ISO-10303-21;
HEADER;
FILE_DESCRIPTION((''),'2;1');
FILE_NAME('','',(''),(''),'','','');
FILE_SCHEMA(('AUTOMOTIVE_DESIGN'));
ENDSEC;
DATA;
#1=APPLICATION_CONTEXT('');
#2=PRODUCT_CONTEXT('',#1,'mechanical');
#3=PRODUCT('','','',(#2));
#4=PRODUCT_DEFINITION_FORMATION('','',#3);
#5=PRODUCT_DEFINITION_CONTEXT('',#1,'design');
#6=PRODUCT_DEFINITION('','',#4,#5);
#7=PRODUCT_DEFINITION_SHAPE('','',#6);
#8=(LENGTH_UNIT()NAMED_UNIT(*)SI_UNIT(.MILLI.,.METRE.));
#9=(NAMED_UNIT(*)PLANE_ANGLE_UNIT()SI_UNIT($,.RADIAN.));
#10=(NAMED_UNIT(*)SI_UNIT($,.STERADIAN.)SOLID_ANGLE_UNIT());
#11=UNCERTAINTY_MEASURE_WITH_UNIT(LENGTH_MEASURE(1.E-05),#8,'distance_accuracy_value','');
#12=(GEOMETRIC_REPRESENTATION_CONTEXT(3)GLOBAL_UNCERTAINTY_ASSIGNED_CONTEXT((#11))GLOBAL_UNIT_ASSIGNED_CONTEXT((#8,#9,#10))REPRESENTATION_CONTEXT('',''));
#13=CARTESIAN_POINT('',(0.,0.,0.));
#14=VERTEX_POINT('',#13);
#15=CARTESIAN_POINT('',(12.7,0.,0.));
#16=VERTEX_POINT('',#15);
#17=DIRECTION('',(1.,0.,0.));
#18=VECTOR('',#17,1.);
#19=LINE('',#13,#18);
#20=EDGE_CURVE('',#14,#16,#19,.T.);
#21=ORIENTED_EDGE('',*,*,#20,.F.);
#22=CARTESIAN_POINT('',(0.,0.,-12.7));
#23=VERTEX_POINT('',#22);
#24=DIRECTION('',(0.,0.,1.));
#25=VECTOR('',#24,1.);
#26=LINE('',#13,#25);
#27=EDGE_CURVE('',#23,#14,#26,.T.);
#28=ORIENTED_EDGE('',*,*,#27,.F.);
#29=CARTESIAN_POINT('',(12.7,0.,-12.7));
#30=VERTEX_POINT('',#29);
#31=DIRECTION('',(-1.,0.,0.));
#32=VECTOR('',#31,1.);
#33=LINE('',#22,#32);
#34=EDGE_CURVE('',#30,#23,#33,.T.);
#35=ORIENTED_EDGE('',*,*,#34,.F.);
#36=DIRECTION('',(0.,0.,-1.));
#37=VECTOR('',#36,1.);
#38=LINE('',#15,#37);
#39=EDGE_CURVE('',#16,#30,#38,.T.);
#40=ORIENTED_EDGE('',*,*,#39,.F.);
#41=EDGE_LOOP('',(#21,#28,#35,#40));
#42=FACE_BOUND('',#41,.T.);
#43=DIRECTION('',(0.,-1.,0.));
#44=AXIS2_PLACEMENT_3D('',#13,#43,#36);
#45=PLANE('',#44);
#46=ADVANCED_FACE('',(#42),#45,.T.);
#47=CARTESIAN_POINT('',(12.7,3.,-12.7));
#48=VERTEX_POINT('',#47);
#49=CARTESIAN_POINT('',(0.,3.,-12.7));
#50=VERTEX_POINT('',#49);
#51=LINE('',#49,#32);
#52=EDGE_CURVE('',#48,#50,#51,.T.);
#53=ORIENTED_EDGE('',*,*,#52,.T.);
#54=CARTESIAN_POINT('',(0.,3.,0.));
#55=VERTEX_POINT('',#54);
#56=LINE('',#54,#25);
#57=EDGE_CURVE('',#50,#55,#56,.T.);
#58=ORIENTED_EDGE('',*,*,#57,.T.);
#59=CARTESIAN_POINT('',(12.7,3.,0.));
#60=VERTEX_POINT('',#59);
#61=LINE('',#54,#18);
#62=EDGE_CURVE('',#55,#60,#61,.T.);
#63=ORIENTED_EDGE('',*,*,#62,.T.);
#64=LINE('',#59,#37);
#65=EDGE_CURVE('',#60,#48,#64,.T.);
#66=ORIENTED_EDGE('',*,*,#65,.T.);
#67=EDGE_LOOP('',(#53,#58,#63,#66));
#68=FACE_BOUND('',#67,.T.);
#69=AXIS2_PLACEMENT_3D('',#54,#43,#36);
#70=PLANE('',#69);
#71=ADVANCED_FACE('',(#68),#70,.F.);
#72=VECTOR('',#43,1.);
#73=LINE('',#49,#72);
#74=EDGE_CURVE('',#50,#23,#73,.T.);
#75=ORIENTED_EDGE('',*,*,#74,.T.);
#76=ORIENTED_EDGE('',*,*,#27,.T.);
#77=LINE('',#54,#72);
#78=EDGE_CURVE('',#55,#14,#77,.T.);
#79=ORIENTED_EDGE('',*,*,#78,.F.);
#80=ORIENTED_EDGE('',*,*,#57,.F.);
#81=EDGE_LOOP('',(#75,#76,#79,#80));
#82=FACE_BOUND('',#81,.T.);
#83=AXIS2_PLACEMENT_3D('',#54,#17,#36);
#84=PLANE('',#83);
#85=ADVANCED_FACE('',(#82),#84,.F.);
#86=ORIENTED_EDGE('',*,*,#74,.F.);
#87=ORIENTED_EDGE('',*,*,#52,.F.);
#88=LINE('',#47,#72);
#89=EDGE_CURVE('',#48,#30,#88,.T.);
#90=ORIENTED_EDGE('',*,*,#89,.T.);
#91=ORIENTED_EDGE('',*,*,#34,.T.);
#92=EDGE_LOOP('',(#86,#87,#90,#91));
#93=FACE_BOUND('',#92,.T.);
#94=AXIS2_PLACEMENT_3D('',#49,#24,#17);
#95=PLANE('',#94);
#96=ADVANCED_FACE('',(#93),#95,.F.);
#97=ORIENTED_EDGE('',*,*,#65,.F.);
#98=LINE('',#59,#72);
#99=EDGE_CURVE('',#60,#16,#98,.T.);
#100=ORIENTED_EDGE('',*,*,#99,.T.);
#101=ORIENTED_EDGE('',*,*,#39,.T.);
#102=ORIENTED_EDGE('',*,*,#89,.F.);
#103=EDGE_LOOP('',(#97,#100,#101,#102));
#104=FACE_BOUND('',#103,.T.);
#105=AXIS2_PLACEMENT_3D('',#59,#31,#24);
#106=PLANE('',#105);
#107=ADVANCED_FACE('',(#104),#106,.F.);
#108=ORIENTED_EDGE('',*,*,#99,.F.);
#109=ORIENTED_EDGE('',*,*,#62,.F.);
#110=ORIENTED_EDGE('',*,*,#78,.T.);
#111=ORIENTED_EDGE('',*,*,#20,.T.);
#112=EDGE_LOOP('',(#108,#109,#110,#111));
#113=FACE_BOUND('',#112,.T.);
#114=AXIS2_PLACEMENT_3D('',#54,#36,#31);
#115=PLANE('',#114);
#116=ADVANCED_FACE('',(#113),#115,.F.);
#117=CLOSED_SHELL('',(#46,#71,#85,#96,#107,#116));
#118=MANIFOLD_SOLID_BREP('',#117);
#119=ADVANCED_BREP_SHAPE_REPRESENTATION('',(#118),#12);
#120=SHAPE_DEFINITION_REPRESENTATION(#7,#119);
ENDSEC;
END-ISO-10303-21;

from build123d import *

# Parameters (mm, degrees)
CROQUIS1_W              = 12.7
CROQUIS1_H              = 12.7
SALIENTE_EXTRUIR1_DEPTH = 3


with BuildPart() as part:
    # Croquis1 → Saliente-Extruir1 (new body)
    with BuildSketch(Plane(origin=(0, 0, 0), x_dir=(1, 0, 0), z_dir=(0, 1, 0))):
        with Locations((6.35, 6.35)):
            Rectangle(CROQUIS1_W, CROQUIS1_H)
    extrude(amount=SALIENTE_EXTRUIR1_DEPTH)


solid = part.part
